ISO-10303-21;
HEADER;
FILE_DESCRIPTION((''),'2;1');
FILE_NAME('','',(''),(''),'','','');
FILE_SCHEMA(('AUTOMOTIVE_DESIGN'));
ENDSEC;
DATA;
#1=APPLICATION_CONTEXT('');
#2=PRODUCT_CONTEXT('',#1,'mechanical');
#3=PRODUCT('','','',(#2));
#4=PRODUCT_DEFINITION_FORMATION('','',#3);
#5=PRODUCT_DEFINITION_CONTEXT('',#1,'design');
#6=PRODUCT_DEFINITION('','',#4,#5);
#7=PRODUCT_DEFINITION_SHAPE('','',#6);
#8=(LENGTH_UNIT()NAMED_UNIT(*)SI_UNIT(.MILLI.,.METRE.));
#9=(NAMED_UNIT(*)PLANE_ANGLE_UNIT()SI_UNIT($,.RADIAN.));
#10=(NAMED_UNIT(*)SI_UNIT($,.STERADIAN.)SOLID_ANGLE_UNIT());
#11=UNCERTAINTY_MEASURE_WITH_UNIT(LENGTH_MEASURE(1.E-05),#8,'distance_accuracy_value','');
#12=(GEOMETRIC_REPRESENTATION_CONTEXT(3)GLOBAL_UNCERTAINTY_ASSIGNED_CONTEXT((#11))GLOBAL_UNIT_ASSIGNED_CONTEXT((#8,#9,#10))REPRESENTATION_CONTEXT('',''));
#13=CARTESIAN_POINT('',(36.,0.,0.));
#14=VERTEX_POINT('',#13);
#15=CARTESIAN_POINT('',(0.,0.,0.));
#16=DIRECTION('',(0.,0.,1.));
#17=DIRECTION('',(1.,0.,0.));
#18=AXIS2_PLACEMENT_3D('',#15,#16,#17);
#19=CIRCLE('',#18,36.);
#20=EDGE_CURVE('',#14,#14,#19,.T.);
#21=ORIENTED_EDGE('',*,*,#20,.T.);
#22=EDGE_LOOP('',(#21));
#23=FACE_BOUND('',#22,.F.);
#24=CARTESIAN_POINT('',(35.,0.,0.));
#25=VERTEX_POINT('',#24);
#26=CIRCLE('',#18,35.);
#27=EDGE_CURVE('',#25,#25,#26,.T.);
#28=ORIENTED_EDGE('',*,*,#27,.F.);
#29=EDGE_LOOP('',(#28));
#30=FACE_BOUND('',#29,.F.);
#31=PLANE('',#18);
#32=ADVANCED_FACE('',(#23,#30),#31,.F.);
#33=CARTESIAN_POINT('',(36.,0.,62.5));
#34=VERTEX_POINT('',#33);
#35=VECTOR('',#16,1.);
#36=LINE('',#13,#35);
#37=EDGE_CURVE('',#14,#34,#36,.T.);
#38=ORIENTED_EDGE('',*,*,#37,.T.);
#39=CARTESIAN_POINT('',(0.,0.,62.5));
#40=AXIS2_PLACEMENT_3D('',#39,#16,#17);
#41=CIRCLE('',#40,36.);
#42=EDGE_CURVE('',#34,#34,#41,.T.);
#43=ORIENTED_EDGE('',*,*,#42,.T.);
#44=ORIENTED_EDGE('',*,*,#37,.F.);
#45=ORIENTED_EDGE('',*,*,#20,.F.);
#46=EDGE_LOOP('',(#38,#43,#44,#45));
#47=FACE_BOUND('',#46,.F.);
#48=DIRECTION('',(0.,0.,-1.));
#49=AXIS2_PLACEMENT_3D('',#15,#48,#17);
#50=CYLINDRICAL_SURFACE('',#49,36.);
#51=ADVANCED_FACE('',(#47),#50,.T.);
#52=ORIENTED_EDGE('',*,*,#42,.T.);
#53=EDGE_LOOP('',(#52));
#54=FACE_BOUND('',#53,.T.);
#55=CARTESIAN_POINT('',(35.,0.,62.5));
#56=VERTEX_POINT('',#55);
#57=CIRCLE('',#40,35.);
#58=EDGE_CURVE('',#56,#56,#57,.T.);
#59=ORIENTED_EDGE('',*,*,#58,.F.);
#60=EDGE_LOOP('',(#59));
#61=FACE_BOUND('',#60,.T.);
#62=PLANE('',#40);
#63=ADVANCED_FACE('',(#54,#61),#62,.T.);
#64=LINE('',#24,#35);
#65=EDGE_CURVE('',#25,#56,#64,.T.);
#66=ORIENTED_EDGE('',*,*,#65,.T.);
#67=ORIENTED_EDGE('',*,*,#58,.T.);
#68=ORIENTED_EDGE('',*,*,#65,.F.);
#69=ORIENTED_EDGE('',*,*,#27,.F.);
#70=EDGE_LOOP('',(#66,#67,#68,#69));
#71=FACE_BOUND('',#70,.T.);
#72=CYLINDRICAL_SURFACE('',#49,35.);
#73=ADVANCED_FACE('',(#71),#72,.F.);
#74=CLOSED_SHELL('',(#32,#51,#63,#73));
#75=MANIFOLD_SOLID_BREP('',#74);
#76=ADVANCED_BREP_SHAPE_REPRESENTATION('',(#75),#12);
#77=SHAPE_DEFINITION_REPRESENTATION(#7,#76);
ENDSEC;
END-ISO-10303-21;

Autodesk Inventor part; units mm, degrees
ref_plane "YZ Plane" through (0, 0, 0) normal (1, 0, 0) x (0, 1, 0)
ref_plane "XZ Plane" through (0, 0, 0) normal (0, 1, 0) x (-1, 0, 0)
ref_plane "XY Plane" through (0, 0, 0) normal (0, 0, 1) x (1, 0, 0)
sketch "Эскиз1" plane through (0, 0, 0) normal (0, 0, 1) x (1, 0, 0)
  circle A0 centre (0, 0) radius 35
  circle A1 centre (0, 0) radius 35
  circle A2 centre (0, 0) radius 36
  dimension "d0" = 70
  dimension "d1" = 70
  dimension "d2" = 72
extrude "Выдавливание1" add sketch "Эскиз1" along normal blind 62.5
properties part number "форма для сиськи"
